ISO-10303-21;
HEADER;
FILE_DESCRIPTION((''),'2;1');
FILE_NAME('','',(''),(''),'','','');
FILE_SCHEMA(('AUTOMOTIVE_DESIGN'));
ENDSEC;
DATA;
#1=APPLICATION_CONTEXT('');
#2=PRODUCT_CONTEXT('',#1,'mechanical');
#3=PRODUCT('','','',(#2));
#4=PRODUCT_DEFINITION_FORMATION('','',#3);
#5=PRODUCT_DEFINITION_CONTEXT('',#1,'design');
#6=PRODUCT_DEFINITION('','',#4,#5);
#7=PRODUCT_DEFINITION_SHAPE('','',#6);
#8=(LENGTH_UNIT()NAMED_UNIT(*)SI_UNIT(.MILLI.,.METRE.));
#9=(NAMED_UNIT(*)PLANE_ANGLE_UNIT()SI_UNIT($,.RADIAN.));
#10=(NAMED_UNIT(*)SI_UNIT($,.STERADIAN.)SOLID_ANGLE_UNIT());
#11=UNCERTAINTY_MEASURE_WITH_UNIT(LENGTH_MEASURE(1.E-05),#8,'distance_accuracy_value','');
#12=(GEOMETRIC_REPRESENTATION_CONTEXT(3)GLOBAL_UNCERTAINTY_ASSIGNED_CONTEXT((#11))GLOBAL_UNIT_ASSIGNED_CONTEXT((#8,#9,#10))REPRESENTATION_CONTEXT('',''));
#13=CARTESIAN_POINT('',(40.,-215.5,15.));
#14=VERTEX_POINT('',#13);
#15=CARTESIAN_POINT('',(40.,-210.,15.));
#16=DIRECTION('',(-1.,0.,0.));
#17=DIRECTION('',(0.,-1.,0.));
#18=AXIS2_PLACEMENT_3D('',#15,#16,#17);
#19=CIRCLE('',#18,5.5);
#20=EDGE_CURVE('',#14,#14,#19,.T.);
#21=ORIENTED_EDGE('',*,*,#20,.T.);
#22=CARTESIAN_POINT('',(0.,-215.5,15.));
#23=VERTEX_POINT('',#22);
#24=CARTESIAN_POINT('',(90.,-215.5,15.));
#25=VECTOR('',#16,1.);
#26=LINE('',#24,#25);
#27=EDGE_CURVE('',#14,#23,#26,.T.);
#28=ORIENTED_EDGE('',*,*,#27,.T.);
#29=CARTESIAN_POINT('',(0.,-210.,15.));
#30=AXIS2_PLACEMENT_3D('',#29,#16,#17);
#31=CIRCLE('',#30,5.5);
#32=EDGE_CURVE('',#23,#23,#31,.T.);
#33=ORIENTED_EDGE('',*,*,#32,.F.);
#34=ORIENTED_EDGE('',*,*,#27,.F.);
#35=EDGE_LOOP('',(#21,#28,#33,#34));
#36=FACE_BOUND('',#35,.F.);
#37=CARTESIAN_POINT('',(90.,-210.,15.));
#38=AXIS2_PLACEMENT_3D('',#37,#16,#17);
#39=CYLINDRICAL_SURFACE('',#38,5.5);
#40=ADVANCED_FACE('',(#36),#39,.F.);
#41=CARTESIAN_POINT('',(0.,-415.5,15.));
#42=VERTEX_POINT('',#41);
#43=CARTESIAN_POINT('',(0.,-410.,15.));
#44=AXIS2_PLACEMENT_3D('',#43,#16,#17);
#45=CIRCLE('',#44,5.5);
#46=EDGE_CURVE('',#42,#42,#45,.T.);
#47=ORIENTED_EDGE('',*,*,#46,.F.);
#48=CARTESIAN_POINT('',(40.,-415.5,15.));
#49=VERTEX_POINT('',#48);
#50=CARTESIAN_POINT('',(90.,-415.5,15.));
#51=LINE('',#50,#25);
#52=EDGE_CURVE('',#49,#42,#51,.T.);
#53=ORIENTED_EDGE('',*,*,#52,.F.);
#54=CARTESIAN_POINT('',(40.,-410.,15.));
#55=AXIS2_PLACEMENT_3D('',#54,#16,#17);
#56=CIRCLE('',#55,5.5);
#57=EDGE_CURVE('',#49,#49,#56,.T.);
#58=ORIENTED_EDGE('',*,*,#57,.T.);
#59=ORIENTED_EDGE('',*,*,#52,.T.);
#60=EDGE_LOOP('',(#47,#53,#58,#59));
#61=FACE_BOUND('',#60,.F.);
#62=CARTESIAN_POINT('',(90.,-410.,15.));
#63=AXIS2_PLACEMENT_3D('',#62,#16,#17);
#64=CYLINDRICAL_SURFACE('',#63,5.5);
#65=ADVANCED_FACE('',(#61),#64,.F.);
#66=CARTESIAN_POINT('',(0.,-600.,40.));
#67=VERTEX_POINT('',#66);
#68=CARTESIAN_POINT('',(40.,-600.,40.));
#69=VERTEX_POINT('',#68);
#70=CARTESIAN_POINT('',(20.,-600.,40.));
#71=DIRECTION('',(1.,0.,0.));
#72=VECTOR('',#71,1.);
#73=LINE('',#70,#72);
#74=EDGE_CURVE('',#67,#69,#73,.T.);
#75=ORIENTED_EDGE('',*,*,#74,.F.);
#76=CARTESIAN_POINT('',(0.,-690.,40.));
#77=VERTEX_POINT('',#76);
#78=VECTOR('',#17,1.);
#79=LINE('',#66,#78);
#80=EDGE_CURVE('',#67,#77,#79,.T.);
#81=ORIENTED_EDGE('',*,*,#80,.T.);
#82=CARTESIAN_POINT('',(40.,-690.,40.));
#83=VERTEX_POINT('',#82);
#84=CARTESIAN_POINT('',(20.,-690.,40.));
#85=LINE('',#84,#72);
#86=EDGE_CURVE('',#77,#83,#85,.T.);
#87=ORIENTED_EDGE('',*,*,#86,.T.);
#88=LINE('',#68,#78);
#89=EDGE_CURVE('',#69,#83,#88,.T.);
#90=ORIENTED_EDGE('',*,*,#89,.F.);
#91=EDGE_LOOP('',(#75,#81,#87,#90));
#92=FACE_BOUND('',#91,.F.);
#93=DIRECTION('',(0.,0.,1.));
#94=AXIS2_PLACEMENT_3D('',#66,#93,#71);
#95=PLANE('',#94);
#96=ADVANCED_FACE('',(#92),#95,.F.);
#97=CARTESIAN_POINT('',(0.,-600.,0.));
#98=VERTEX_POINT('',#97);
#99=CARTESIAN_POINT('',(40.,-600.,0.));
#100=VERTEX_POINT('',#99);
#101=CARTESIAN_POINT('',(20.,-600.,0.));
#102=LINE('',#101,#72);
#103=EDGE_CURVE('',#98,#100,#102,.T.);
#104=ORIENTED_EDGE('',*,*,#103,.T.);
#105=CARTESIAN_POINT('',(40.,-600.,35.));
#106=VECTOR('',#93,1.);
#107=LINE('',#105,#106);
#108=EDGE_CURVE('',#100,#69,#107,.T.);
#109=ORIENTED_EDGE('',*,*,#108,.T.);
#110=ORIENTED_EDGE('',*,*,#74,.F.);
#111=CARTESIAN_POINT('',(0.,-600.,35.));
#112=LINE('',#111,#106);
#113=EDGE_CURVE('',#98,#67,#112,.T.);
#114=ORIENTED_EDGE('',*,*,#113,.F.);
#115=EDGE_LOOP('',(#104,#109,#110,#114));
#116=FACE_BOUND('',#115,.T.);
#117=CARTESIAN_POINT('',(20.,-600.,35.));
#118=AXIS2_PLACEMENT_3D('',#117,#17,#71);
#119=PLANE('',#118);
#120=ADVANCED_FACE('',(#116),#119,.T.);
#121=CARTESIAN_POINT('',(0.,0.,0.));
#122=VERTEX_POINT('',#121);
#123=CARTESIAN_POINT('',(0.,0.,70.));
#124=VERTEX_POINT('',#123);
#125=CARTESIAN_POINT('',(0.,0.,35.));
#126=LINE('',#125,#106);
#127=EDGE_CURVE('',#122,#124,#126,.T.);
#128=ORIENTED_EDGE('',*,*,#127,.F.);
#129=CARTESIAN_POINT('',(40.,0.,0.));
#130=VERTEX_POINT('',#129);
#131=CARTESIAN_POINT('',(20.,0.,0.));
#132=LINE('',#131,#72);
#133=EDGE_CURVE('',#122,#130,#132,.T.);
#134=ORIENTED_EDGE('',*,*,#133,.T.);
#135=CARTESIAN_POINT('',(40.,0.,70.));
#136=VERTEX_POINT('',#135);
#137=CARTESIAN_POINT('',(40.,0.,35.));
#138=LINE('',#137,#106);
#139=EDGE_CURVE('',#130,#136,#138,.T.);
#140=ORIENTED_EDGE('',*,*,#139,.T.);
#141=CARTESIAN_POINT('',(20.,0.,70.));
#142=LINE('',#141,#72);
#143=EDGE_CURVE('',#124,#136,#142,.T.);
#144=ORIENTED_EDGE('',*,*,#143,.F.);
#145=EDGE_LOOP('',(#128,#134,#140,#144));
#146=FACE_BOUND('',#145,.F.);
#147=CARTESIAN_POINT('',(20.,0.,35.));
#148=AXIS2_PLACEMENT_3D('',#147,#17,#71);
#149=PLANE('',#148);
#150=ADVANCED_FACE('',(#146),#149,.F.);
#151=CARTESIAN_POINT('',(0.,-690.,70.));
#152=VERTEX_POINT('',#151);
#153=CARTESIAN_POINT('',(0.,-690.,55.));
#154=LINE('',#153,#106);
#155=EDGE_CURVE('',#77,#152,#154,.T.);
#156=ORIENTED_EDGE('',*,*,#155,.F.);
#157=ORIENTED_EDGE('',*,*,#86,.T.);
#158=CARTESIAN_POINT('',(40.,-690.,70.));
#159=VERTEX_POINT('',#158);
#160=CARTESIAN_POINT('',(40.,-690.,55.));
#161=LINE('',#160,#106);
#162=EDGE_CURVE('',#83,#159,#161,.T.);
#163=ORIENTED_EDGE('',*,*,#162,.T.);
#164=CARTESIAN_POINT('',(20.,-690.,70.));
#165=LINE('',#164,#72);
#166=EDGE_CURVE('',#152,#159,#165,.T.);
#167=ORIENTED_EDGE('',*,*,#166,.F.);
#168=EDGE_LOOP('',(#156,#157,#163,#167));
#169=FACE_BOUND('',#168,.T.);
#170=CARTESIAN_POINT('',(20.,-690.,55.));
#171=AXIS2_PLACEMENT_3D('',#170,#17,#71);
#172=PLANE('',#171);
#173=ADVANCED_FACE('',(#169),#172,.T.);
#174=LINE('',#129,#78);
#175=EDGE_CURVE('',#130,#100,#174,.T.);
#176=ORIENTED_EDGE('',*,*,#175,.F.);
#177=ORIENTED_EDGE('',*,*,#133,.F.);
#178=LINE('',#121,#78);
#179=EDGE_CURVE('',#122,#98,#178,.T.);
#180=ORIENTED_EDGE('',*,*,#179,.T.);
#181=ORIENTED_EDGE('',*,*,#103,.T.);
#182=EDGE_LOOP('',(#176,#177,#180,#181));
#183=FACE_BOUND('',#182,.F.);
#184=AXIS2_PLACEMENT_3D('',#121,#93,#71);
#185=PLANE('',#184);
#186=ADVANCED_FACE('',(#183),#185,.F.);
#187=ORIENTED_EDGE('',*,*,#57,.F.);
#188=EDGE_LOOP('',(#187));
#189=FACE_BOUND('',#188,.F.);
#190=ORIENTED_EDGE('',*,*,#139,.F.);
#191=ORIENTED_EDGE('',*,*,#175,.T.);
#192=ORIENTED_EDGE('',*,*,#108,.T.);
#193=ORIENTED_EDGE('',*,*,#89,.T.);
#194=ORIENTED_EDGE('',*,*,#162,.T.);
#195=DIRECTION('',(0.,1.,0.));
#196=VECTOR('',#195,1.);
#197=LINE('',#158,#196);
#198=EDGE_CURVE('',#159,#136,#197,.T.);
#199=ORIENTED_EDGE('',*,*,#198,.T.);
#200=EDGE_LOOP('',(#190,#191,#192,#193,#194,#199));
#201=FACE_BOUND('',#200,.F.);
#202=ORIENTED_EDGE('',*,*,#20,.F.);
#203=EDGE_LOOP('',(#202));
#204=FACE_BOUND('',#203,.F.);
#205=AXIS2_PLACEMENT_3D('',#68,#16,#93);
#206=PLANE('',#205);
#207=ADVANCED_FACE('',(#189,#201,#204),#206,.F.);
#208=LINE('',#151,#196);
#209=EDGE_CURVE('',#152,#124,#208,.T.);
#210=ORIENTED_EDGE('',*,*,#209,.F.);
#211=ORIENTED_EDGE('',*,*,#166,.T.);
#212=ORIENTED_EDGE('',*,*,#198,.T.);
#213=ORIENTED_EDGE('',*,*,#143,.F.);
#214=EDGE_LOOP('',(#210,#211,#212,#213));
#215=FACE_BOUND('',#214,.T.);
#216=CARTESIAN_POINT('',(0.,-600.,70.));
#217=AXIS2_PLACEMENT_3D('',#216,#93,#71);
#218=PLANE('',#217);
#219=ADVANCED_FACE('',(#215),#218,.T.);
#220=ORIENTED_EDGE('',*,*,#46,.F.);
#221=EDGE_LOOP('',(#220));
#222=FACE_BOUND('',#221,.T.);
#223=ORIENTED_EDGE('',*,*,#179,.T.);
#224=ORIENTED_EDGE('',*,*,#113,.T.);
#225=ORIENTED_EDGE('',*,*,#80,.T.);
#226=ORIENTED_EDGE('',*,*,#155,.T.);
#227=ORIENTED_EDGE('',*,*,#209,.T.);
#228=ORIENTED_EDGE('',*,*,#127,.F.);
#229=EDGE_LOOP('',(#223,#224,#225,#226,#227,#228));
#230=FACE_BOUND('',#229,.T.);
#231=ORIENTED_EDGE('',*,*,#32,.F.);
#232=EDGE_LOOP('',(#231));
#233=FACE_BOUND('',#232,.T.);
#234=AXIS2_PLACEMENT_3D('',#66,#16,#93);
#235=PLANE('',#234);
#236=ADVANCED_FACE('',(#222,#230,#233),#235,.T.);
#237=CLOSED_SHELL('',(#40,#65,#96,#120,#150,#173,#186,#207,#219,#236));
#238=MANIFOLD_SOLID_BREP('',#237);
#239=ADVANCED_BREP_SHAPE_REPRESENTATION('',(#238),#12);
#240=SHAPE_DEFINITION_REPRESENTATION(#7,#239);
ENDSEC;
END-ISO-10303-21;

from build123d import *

# Parameters (mm, degrees)
F0_W     = 40
F0_H     = 70
F1_DEPTH = 600
F3_D     = 11
F3_DEPTH = 50
F4_W     = 40
F4_H     = 30
F5_DEPTH = 90


with BuildPart() as f1:
    # F0 (on Front) → F1 (new body)
    with BuildSketch(Plane.XZ):
        with Locations((20, 35)):
            Rectangle(F0_W, F0_H)
    extrude(amount=F1_DEPTH)

    # F3
    with Locations(Plane.YZ.offset(40)):
        with Locations((-410, 15), (-210, 15)):
            Hole(F3_D / 2, depth=F3_DEPTH)

    # F4 (on face) → F5 (join)
    with BuildSketch(Plane.XZ.offset(600)):
        with Locations((20, 55)):
            Rectangle(F4_W, F4_H)
    extrude(amount=F5_DEPTH)


solid = f1.part
